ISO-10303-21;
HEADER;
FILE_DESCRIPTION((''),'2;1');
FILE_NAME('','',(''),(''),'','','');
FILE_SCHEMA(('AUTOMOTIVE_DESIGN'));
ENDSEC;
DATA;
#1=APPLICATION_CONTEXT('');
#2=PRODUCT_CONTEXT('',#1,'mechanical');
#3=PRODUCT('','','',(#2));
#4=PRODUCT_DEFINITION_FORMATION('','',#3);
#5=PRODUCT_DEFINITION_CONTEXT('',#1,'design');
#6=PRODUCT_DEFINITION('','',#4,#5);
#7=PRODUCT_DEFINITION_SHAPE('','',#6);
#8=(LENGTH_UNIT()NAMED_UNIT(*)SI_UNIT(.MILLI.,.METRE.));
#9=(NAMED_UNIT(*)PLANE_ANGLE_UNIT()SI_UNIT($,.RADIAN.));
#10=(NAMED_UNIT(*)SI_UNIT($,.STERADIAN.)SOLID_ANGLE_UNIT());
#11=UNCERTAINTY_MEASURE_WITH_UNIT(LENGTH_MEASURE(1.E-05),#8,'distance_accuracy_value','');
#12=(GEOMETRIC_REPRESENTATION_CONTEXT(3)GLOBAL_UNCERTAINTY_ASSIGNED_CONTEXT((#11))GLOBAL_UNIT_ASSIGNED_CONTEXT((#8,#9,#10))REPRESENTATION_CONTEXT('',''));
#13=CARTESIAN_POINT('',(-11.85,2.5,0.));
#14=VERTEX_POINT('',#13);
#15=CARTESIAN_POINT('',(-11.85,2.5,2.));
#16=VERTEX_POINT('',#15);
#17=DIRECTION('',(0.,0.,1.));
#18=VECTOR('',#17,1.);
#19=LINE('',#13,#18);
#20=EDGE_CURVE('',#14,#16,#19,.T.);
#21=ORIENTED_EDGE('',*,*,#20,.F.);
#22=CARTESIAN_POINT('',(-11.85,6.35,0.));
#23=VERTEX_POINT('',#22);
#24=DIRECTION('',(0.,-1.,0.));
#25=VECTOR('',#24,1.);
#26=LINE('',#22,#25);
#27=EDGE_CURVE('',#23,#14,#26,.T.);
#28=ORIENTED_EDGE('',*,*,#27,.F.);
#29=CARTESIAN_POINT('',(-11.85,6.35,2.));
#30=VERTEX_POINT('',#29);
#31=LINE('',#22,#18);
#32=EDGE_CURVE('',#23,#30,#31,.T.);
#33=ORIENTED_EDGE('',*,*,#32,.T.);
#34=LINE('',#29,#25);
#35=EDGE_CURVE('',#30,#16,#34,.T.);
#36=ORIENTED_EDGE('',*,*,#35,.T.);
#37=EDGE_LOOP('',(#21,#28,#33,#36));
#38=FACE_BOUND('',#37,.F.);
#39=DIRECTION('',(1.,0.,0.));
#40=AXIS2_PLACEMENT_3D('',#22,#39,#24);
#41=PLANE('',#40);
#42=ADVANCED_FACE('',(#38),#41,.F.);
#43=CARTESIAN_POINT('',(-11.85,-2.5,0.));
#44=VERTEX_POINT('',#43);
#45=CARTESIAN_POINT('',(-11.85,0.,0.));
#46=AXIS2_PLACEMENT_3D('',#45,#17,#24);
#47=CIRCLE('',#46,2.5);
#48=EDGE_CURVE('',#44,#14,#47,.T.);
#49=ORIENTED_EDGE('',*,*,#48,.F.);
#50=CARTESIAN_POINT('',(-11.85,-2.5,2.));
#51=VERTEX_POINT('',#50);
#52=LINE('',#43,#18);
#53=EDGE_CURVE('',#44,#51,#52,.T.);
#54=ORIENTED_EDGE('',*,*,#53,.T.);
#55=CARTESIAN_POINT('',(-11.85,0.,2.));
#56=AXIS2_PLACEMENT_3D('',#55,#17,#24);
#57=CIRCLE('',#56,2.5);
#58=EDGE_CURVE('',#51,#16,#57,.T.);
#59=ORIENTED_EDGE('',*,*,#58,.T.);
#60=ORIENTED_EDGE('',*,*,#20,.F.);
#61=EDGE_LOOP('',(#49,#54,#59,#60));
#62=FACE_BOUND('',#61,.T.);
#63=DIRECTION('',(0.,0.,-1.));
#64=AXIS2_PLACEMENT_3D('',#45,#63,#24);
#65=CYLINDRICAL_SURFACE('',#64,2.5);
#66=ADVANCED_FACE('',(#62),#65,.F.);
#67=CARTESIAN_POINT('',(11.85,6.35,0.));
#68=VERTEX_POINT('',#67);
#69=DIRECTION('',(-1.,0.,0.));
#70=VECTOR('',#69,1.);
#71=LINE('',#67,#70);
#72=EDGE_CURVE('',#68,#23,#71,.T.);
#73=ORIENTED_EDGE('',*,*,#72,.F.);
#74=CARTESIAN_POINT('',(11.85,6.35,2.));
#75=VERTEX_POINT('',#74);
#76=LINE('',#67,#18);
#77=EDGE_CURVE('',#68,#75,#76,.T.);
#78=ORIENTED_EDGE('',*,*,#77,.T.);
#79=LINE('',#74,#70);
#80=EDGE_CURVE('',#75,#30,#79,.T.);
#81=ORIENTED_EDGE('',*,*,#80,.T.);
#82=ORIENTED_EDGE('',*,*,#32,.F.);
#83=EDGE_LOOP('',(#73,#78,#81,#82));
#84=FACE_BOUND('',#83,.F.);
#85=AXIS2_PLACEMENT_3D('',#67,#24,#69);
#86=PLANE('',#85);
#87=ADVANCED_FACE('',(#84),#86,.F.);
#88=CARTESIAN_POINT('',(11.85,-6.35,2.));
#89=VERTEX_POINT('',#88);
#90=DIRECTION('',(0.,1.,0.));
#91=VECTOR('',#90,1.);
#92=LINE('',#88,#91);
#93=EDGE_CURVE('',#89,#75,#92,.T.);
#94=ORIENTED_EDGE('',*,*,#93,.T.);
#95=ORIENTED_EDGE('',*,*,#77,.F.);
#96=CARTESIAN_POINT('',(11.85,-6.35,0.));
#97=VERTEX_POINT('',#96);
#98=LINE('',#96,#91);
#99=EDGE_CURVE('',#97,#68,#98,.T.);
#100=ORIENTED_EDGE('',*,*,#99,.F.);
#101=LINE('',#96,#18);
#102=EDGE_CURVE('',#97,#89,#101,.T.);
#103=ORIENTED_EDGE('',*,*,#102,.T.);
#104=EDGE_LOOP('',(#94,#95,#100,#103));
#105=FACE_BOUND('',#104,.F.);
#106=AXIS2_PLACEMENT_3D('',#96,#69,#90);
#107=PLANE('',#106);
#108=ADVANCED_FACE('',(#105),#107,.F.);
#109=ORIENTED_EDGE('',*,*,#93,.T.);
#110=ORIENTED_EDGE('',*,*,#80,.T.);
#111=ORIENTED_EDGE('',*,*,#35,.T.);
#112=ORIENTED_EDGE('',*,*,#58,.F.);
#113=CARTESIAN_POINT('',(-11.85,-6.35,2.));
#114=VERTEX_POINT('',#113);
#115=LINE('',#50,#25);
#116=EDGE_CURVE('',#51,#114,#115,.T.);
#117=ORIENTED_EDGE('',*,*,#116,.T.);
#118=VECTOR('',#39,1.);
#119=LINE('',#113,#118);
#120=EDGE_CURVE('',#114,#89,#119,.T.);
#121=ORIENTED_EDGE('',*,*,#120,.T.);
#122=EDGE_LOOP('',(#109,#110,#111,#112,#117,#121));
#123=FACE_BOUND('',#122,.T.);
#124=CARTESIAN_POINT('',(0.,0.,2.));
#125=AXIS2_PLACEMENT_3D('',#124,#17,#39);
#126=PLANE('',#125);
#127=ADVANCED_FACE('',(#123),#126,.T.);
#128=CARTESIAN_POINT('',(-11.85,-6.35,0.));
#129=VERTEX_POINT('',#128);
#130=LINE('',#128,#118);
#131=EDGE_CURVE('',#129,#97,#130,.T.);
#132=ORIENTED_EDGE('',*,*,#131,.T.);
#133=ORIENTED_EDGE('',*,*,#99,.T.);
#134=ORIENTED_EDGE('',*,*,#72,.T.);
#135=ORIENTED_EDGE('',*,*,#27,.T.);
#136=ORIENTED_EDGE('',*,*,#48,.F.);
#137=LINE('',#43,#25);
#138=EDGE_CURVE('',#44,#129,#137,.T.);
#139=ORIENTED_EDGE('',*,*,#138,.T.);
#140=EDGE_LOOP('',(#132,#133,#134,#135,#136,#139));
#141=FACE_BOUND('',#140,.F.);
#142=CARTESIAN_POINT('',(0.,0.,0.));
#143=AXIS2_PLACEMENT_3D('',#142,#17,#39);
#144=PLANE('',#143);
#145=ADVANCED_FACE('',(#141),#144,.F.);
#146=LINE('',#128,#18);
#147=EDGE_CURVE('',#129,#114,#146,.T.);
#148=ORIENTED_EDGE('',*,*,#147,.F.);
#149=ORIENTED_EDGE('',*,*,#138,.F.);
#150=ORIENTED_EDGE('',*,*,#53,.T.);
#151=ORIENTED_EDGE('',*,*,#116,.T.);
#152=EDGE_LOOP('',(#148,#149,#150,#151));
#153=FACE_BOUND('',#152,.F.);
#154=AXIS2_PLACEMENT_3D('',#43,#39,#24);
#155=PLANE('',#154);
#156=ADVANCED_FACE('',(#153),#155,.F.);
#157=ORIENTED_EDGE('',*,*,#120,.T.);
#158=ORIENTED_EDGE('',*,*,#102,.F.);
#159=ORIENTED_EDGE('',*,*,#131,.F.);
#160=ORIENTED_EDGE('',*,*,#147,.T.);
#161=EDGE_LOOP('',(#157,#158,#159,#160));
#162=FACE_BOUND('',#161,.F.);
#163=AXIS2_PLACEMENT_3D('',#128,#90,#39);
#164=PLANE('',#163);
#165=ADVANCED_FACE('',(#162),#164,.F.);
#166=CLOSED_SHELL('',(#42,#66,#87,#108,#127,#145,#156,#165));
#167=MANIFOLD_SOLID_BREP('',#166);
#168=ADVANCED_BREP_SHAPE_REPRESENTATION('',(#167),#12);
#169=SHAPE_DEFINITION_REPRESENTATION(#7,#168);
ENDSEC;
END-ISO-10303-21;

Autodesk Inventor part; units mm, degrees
ref_plane "YZ Plane" through (0, 0, 0) normal (1, 0, 0) x (0, 1, 0)
ref_plane "XZ Plane" through (0, 0, 0) normal (0, 1, 0) x (-1, 0, 0)
ref_plane "XY Plane" through (0, 0, 0) normal (0, 0, 1) x (1, 0, 0)
sketch "Sketch1" plane through (0, 0, 0) normal (0, 0, 1) x (1, 0, 0)
  line L0 (-11.85, -6.35) -> (11.85, -6.35)
  line L1 (11.85, -6.35) -> (11.85, 6.35)
  line L2 (11.85, 6.35) -> (-11.85, 6.35)
  line L3 (-11.85, 6.35) -> (-11.85, 2.5)
  line L4 (-11.85, -6.35) -> (11.85, 6.35) construction
  line L5 (11.85, -6.35) -> (-11.85, 6.35) construction
  arc A0 (-11.85, -2.5) -> (-11.85, 2.5) centre (-11.85, 0) ccw
  line L6 (-11.85, 2.5) -> (-11.85, -2.5) construction
  line L7 (-11.85, -2.5) -> (-11.85, -6.35)
  line L8 (-11.85, 0) -> (0, 0) construction
  dimension "d0" = 12.7
  dimension "d1" = 23.7
  dimension "d2" = 2.5
extrude "Extrusion1" add sketch "Sketch1" along normal blind 2
properties part number "LED Backing"
